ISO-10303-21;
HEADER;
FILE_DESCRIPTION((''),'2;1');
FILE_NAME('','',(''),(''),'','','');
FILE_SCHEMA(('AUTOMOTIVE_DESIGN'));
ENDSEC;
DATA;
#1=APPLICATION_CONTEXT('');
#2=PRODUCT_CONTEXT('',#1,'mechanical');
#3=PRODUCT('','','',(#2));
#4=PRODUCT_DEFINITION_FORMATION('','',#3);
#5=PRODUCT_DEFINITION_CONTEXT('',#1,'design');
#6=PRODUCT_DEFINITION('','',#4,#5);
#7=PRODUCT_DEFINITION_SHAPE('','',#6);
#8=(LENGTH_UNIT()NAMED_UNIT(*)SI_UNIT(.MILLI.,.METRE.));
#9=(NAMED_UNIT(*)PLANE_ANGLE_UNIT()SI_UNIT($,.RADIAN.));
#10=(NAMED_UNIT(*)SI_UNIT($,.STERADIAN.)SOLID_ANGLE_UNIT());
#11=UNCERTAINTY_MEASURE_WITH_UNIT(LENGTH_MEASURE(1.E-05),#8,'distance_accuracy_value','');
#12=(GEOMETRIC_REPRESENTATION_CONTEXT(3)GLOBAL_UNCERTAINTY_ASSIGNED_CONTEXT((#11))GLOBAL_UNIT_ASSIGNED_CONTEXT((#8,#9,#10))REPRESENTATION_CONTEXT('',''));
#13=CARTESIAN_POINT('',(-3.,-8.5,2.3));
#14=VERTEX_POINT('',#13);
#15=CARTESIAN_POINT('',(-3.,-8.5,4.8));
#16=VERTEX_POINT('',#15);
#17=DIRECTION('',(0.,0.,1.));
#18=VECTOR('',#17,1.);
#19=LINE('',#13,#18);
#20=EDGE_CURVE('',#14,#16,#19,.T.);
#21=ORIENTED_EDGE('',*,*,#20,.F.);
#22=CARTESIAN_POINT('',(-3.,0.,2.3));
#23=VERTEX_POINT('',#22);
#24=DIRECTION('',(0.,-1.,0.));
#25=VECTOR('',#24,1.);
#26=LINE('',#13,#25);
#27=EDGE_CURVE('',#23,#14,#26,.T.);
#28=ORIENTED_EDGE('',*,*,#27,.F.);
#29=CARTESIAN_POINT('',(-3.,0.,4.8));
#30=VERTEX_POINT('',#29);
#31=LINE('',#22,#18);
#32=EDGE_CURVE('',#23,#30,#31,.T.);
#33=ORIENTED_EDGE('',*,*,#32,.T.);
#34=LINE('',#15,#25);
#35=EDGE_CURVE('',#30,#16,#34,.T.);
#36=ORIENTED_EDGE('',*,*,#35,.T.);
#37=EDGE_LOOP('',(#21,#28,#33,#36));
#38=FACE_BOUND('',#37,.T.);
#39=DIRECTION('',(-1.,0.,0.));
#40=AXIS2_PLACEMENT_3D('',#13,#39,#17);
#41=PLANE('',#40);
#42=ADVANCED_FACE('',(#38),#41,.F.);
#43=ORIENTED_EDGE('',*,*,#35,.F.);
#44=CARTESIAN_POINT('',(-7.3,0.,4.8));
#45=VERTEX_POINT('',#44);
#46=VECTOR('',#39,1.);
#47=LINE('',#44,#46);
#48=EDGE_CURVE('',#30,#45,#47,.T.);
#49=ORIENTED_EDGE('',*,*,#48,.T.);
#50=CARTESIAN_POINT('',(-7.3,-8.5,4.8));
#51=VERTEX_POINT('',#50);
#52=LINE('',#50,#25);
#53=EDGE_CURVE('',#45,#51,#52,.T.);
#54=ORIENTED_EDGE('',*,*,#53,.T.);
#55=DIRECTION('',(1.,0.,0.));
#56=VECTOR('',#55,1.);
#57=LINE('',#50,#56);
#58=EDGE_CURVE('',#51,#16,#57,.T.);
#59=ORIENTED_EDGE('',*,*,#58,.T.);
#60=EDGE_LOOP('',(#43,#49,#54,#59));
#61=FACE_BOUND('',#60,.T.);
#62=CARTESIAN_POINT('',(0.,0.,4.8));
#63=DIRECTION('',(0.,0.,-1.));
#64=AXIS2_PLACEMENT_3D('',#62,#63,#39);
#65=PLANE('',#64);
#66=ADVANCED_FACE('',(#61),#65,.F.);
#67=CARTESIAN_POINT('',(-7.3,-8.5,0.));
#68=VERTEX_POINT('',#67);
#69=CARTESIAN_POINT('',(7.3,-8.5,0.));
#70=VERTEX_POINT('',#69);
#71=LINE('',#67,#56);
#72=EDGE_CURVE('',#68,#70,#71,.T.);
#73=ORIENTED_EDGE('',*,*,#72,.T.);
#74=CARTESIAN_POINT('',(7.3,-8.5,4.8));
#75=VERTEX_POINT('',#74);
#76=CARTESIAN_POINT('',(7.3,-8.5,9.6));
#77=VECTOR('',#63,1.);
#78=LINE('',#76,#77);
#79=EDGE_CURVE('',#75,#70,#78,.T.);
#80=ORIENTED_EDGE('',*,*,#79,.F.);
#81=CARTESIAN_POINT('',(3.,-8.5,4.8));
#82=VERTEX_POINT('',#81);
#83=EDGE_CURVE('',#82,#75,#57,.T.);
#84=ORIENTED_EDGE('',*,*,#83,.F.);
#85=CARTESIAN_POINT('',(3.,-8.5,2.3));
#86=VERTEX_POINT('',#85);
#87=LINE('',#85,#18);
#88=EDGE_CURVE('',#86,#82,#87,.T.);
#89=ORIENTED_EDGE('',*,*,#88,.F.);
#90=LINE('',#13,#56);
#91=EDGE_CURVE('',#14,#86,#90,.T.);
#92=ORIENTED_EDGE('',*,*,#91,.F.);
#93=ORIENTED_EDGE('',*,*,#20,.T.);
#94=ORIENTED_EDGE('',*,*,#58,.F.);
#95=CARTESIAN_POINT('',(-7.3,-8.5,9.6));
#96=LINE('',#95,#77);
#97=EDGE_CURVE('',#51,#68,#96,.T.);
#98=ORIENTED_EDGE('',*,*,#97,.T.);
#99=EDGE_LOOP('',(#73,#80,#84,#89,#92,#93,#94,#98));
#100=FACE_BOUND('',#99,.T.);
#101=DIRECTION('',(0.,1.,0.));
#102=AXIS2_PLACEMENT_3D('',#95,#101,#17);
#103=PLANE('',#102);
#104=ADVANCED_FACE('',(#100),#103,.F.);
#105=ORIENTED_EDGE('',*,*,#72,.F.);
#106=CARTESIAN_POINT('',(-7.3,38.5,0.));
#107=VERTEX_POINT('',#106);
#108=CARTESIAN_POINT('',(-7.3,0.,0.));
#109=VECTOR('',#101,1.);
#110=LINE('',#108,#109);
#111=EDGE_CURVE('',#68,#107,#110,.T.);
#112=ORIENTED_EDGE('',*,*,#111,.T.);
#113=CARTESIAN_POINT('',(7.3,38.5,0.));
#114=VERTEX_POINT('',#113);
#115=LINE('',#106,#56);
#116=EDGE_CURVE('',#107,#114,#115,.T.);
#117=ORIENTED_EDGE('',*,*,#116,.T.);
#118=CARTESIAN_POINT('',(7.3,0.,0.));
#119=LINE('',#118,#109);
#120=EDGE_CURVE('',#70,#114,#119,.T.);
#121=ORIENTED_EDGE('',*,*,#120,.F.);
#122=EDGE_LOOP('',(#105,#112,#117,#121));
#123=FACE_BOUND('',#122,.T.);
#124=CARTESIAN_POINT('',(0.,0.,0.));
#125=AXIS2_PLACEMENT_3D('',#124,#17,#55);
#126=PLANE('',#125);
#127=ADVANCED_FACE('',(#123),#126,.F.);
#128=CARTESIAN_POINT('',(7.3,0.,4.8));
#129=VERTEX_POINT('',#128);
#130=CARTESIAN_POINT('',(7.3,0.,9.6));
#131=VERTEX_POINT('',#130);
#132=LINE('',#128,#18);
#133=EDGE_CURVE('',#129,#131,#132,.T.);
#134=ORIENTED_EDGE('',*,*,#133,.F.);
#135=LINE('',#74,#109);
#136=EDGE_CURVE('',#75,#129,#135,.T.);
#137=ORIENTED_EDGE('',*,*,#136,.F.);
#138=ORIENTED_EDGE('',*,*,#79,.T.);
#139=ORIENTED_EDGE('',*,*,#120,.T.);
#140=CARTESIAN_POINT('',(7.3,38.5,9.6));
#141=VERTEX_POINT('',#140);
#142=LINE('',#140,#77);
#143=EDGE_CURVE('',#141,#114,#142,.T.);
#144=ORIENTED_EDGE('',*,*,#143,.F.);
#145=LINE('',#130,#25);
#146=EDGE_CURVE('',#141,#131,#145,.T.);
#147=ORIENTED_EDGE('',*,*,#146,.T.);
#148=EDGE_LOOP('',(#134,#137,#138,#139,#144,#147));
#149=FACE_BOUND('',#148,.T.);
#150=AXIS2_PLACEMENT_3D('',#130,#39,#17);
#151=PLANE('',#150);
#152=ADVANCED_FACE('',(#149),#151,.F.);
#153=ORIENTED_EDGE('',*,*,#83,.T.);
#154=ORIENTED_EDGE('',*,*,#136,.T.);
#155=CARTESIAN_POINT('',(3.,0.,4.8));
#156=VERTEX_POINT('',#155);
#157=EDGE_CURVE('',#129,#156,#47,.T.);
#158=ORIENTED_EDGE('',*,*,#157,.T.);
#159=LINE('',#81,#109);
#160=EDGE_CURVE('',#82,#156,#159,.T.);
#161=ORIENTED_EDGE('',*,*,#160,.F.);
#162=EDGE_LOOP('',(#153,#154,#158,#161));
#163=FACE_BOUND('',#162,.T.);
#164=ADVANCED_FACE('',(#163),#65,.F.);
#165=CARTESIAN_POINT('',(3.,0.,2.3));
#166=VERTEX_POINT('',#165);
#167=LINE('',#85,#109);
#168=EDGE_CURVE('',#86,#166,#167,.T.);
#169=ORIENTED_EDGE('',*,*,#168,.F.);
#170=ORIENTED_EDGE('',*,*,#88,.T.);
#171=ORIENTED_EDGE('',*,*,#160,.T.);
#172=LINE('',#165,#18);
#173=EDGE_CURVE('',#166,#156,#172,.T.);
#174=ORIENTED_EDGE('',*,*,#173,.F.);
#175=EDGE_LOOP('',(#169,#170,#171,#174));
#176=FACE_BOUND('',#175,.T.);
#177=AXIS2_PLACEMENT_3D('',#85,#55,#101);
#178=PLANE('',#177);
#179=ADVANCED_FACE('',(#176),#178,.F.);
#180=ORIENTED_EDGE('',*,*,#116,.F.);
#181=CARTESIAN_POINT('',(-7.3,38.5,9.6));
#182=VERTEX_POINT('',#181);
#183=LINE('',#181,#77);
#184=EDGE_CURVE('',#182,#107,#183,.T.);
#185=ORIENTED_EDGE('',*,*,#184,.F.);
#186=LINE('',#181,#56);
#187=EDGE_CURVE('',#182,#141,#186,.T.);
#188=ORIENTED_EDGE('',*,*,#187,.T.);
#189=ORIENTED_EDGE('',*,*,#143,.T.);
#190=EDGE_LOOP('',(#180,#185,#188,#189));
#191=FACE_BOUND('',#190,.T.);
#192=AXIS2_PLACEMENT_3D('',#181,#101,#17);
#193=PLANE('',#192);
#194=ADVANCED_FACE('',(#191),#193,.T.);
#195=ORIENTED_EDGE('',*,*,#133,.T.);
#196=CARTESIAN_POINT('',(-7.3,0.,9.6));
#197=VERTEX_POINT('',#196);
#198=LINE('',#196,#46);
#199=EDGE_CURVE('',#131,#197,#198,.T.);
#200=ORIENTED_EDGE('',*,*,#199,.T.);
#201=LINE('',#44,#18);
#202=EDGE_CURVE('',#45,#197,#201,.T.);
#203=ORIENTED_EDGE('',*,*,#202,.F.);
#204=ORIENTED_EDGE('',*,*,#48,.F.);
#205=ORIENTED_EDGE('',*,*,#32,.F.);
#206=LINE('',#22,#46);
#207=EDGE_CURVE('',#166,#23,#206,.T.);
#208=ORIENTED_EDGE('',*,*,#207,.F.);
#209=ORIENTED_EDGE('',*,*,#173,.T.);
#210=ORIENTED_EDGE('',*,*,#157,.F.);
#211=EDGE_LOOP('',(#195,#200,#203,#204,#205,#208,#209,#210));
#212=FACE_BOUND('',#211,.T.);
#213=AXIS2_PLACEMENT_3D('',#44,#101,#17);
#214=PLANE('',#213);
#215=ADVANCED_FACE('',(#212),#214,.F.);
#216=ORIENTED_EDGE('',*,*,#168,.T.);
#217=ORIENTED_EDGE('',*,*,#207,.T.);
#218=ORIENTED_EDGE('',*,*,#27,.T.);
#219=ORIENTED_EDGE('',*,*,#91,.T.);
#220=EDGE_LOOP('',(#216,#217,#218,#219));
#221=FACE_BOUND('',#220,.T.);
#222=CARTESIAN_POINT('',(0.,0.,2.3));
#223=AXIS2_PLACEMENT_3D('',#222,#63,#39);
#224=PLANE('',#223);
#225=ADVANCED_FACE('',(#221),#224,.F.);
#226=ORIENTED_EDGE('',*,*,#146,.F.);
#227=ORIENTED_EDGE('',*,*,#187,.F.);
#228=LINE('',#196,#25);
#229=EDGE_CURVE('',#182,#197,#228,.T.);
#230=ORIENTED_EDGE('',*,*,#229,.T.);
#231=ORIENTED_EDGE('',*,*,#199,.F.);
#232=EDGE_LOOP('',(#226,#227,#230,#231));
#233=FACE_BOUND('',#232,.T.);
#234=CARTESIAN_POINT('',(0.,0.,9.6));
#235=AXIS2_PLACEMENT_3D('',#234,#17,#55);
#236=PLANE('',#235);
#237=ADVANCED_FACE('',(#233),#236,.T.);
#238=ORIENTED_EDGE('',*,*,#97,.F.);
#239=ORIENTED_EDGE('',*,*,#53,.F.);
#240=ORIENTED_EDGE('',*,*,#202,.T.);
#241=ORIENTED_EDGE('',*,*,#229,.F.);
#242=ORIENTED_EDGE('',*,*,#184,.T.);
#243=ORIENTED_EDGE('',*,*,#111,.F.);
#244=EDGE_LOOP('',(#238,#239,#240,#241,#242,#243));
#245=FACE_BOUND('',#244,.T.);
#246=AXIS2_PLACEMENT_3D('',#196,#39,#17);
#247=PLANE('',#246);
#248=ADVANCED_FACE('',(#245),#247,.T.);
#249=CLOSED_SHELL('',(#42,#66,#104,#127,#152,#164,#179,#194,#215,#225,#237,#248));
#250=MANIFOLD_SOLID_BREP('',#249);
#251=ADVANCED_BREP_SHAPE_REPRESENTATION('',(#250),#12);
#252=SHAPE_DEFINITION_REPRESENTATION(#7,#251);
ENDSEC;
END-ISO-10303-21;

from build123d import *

# Parameters (mm, degrees)
EXTRUDE_1_DEPTH     = 9.6
SKETCH_2_W          = 14.6
SKETCH_2_H          = 8.5
CUT_EXTRUDE_1_DEPTH = 4.8
SKETCH_3_W          = 6
SKETCH_3_H          = 8.5
CUT_EXTRUDE_2_DEPTH = 2.5


with BuildPart() as part:
    # 草图1 → 凸台-拉伸1 (new body)
    with BuildSketch(Plane.XY):
        Polygon((-7.3, 0), (-7.3, 38.5), (7.3, 38.5), (7.3, 0), (7.3, -8.5), (-7.3, -8.5), align=None)
    extrude(amount=EXTRUDE_1_DEPTH)

    # 草图2 → 切除-拉伸1 (cut)
    with BuildSketch(Plane.XY.offset(9.6)):
        with Locations((0, -4.25)):
            Rectangle(SKETCH_2_W, SKETCH_2_H)
    extrude(amount=-CUT_EXTRUDE_1_DEPTH, mode=Mode.SUBTRACT)

    # 草图3 → 切除-拉伸2 (cut)
    with BuildSketch(Plane.XY.offset(4.8)):
        with Locations((0, -4.25)):
            Rectangle(SKETCH_3_W, SKETCH_3_H)
    extrude(amount=-CUT_EXTRUDE_2_DEPTH, mode=Mode.SUBTRACT)


solid = part.part
